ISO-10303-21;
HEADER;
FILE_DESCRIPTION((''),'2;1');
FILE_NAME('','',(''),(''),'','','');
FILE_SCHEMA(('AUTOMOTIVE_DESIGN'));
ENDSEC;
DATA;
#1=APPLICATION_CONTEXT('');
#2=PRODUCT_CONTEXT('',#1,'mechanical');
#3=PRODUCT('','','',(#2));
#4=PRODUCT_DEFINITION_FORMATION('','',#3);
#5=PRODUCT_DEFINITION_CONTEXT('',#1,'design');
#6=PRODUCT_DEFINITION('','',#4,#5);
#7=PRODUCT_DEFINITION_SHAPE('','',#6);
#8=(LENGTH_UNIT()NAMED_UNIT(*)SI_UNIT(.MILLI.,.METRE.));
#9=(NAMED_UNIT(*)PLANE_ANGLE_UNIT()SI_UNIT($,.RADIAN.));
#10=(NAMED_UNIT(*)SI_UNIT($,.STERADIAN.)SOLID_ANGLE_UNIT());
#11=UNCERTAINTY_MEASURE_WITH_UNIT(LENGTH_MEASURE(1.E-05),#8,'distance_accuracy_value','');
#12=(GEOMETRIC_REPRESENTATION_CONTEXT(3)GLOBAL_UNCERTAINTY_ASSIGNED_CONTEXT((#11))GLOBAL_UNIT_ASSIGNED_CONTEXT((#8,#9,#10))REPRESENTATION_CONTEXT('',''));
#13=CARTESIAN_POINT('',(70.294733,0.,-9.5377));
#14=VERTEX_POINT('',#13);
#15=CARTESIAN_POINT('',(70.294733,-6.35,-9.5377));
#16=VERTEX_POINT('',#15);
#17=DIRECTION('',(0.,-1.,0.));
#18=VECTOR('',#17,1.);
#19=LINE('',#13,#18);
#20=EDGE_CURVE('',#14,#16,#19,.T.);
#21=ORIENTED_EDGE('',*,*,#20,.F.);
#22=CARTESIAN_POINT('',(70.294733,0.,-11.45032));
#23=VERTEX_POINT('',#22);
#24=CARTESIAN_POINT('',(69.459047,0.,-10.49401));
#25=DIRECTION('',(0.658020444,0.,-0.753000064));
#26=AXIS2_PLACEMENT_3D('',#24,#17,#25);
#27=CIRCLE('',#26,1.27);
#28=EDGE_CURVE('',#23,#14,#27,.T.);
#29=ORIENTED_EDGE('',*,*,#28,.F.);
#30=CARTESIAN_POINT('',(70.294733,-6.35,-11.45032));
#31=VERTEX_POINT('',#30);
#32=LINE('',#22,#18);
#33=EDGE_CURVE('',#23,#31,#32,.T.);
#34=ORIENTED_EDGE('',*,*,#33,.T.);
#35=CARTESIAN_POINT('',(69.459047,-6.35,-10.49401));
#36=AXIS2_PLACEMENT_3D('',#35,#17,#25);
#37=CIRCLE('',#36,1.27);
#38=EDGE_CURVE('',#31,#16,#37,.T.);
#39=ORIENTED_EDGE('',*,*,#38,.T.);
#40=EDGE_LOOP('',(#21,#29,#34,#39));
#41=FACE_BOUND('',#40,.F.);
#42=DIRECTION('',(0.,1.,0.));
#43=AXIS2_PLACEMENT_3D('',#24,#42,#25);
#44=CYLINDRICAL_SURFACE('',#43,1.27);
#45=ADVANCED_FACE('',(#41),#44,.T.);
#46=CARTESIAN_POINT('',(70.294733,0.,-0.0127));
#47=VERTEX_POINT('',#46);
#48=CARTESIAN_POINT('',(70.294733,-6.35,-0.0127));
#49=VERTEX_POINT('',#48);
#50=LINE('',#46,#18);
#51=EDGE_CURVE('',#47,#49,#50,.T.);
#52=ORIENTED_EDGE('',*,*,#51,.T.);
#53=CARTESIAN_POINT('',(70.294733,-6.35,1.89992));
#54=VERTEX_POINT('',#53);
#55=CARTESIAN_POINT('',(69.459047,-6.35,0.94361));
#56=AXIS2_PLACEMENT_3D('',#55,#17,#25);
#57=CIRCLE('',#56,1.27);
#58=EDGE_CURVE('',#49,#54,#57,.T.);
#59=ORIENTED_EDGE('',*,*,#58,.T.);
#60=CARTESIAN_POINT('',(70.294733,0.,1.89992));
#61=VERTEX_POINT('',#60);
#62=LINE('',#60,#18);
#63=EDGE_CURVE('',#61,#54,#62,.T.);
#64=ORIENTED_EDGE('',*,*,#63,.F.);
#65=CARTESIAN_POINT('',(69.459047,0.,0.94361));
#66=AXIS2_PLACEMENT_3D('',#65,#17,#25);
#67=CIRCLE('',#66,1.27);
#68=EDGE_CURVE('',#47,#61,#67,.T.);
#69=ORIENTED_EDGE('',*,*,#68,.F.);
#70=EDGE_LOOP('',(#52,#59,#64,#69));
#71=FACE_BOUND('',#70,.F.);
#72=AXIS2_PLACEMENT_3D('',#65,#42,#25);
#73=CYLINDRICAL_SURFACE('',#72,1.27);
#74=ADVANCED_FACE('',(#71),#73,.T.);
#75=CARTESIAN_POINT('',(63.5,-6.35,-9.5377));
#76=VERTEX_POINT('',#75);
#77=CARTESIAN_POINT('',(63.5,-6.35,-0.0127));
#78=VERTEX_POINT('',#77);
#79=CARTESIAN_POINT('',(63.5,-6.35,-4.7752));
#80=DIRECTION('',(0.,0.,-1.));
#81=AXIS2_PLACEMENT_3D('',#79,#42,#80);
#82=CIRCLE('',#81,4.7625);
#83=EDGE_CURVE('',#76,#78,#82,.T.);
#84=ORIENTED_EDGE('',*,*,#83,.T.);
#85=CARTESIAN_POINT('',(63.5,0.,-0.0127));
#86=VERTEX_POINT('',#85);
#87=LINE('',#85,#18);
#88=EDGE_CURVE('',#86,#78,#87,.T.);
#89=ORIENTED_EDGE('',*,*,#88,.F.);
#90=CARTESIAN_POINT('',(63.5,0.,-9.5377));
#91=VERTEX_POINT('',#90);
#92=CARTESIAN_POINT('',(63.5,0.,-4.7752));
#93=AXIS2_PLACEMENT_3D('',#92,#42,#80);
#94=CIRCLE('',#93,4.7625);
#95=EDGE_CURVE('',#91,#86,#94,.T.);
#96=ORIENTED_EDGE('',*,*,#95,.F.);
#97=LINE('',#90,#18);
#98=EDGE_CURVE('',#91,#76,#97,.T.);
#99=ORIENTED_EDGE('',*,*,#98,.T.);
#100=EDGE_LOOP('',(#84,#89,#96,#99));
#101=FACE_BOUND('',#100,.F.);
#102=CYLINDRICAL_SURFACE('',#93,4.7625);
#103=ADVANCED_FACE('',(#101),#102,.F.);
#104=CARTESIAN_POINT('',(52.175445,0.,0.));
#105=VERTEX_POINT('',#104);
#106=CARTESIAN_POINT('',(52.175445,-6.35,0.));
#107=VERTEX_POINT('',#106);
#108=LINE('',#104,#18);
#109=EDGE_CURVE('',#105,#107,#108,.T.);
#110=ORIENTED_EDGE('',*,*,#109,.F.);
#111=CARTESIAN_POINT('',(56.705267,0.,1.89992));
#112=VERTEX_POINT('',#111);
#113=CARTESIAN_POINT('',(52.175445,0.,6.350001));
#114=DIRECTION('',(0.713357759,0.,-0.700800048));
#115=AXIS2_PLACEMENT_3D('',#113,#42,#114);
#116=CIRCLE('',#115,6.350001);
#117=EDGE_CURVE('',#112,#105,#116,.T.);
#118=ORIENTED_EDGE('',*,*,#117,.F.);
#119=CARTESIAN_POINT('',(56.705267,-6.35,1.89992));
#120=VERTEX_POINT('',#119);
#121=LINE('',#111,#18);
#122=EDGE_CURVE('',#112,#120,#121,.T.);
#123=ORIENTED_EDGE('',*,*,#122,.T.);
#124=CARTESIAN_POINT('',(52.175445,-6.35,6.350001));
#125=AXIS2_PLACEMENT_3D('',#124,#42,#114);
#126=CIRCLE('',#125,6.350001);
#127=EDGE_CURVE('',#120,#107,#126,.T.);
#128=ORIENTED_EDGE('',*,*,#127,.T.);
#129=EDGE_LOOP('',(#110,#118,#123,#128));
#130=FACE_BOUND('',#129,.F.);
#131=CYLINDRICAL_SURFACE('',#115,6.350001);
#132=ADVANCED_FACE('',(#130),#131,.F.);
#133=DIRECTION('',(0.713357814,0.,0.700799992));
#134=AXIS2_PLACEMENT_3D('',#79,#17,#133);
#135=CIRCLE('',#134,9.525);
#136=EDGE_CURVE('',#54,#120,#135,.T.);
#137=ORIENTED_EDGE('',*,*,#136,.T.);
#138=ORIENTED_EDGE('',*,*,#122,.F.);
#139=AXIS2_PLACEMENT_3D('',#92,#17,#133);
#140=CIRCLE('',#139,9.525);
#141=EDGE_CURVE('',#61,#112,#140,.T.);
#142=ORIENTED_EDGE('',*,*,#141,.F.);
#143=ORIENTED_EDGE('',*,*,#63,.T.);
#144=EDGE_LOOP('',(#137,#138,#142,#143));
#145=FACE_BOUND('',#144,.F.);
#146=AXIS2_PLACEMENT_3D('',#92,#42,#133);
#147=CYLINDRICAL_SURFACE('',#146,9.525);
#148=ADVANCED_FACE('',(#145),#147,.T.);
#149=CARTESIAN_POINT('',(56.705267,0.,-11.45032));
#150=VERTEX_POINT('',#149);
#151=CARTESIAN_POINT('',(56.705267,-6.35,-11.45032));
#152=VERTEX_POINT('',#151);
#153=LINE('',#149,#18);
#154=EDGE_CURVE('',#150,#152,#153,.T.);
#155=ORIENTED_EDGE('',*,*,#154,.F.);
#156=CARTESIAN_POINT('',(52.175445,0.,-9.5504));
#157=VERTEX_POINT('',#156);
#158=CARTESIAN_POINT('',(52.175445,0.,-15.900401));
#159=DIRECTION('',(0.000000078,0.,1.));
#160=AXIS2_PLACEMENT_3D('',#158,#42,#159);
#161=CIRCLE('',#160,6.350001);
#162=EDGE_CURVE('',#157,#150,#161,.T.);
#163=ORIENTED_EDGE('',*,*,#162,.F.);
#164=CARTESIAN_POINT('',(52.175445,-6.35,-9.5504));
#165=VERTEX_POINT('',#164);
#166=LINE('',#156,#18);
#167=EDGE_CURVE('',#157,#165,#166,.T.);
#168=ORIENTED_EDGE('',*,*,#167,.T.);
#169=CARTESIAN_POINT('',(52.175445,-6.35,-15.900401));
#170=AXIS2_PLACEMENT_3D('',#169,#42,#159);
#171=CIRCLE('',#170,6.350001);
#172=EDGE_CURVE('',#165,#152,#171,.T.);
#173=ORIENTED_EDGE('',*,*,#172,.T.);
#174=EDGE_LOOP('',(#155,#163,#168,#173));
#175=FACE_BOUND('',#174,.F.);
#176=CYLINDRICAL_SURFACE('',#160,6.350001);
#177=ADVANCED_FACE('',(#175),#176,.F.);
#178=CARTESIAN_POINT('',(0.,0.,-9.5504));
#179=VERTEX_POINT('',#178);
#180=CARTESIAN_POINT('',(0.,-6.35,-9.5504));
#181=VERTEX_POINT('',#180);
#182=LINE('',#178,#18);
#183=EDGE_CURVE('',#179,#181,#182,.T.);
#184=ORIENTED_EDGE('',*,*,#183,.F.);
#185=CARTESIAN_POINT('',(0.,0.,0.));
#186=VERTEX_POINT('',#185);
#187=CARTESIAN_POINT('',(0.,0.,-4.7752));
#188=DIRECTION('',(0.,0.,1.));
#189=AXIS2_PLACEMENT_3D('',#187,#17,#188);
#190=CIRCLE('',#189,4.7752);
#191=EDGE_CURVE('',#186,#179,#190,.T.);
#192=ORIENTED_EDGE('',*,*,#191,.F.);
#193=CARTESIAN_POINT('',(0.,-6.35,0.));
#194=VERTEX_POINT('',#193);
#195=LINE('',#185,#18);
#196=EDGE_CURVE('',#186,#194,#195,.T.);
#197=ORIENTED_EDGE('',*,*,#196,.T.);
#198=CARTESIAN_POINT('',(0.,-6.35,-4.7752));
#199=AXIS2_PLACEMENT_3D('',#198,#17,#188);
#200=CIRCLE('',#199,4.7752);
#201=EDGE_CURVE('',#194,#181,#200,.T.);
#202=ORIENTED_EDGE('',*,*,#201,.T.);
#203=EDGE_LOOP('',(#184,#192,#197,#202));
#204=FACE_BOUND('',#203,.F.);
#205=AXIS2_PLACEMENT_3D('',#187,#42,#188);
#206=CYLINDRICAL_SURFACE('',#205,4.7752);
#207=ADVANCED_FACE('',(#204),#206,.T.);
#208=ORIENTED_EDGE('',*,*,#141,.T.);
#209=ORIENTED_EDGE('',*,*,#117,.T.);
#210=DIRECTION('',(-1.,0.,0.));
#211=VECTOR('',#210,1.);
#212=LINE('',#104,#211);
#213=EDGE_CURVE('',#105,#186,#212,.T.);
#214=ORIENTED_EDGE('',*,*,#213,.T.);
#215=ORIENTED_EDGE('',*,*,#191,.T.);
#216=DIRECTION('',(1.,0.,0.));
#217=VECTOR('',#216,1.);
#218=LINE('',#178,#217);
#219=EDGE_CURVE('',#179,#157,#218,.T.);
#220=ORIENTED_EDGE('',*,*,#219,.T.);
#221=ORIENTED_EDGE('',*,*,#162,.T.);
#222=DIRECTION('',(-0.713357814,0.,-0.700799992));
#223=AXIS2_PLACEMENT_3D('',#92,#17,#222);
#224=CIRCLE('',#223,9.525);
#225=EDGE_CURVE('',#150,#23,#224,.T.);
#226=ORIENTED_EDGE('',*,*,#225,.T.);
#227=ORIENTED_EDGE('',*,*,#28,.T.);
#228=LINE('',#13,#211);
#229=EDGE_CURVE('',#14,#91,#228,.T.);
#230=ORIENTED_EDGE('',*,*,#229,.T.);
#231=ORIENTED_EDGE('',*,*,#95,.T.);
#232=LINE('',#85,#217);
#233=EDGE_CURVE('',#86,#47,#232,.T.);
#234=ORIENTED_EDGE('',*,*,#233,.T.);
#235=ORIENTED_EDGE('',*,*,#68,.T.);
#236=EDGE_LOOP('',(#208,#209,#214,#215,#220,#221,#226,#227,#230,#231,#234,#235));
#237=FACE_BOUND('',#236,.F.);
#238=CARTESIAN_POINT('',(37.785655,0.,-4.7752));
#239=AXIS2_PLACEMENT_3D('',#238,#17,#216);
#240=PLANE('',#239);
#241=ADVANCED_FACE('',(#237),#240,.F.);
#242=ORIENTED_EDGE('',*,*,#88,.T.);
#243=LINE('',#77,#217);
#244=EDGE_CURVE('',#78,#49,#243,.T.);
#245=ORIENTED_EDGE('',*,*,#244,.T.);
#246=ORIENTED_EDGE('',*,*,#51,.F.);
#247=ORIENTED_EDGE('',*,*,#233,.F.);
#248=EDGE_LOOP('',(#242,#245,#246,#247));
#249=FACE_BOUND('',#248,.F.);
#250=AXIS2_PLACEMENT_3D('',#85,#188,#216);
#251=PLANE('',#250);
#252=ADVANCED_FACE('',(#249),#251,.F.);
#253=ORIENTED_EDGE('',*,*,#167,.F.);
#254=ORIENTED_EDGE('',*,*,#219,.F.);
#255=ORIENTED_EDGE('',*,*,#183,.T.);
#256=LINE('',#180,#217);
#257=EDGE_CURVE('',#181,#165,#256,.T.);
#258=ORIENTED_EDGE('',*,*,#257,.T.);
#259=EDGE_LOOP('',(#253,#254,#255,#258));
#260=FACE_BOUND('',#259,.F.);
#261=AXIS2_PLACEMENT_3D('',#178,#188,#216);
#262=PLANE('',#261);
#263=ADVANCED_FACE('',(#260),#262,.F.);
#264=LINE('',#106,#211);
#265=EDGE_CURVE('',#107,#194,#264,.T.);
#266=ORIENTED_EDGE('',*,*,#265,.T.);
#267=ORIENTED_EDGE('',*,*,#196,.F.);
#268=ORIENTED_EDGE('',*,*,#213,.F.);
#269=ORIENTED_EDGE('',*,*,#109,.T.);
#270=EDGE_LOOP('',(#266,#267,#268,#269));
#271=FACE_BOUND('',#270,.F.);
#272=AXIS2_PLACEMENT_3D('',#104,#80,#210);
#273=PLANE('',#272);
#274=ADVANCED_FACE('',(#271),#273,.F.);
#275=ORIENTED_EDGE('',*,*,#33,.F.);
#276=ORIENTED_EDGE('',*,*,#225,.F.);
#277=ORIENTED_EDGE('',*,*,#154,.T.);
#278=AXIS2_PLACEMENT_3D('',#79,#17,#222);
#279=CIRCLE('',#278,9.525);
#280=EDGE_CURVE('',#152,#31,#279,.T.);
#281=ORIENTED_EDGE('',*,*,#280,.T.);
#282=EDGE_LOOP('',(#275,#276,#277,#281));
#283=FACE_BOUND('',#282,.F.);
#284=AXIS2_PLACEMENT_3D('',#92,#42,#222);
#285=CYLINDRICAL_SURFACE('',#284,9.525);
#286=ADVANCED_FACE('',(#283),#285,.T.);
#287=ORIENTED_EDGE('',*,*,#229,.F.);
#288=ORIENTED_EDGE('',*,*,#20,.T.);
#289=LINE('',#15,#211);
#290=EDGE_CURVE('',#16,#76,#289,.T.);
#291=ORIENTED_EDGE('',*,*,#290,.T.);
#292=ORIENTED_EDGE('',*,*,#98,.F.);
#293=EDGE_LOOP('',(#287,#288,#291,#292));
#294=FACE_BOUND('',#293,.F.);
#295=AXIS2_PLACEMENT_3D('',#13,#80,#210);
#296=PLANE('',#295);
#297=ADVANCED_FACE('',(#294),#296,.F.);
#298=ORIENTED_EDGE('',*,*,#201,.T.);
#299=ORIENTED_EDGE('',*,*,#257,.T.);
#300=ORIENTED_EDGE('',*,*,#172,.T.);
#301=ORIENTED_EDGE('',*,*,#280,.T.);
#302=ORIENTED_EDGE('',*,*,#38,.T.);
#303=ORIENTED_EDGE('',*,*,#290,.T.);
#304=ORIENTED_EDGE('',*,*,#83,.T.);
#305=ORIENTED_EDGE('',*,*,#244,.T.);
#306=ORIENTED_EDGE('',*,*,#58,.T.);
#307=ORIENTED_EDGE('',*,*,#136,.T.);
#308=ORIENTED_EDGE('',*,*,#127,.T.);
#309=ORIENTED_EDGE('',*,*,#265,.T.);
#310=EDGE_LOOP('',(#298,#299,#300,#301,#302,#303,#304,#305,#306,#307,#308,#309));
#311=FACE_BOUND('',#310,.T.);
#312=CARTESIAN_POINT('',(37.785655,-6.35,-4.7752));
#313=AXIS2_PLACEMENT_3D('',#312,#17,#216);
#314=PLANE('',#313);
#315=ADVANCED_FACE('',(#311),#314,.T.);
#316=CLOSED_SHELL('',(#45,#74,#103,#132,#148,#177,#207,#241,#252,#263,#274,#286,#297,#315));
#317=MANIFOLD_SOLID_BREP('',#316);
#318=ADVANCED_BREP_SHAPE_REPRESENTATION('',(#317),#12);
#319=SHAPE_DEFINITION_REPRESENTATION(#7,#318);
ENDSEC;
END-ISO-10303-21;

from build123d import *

# Parameters (mm, degrees)
F1_DEPTH = 6.35


with BuildPart() as f1:
    # F0 (on Front) → F1 (new body)
    with BuildSketch(Plane.XZ):
        with BuildLine():
            Line((52.175445, 0), (0, 0))
            ThreePointArc((0, 0), (-4.7752, -4.7752), (0, -9.5504))
            Line((0, -9.5504), (52.175445, -9.5504))
            ThreePointArc((52.175445, -9.5504), (54.631508, -10.044612), (56.705267, -11.45032))
            ThreePointArc((56.705267, -11.45032), (63.5, -14.3002), (70.294733, -11.45032))
            ThreePointArc((70.294733, -11.45032), (70.729047, -10.49401), (70.294733, -9.5377))
            Line((70.294733, -9.5377), (63.5, -9.5377))
            ThreePointArc((63.5, -9.5377), (58.7375, -4.7752), (63.5, -0.0127))
            Line((63.5, -0.0127), (70.294733, -0.0127))
            ThreePointArc((70.294733, -0.0127), (70.729047, 0.94361), (70.294733, 1.89992))
            ThreePointArc((70.294733, 1.89992), (63.5, 4.7498), (56.705267, 1.89992))
            ThreePointArc((56.705267, 1.89992), (54.631508, 0.494212), (52.175445, 0))
        make_face()
    extrude(amount=F1_DEPTH)


solid = f1.part
